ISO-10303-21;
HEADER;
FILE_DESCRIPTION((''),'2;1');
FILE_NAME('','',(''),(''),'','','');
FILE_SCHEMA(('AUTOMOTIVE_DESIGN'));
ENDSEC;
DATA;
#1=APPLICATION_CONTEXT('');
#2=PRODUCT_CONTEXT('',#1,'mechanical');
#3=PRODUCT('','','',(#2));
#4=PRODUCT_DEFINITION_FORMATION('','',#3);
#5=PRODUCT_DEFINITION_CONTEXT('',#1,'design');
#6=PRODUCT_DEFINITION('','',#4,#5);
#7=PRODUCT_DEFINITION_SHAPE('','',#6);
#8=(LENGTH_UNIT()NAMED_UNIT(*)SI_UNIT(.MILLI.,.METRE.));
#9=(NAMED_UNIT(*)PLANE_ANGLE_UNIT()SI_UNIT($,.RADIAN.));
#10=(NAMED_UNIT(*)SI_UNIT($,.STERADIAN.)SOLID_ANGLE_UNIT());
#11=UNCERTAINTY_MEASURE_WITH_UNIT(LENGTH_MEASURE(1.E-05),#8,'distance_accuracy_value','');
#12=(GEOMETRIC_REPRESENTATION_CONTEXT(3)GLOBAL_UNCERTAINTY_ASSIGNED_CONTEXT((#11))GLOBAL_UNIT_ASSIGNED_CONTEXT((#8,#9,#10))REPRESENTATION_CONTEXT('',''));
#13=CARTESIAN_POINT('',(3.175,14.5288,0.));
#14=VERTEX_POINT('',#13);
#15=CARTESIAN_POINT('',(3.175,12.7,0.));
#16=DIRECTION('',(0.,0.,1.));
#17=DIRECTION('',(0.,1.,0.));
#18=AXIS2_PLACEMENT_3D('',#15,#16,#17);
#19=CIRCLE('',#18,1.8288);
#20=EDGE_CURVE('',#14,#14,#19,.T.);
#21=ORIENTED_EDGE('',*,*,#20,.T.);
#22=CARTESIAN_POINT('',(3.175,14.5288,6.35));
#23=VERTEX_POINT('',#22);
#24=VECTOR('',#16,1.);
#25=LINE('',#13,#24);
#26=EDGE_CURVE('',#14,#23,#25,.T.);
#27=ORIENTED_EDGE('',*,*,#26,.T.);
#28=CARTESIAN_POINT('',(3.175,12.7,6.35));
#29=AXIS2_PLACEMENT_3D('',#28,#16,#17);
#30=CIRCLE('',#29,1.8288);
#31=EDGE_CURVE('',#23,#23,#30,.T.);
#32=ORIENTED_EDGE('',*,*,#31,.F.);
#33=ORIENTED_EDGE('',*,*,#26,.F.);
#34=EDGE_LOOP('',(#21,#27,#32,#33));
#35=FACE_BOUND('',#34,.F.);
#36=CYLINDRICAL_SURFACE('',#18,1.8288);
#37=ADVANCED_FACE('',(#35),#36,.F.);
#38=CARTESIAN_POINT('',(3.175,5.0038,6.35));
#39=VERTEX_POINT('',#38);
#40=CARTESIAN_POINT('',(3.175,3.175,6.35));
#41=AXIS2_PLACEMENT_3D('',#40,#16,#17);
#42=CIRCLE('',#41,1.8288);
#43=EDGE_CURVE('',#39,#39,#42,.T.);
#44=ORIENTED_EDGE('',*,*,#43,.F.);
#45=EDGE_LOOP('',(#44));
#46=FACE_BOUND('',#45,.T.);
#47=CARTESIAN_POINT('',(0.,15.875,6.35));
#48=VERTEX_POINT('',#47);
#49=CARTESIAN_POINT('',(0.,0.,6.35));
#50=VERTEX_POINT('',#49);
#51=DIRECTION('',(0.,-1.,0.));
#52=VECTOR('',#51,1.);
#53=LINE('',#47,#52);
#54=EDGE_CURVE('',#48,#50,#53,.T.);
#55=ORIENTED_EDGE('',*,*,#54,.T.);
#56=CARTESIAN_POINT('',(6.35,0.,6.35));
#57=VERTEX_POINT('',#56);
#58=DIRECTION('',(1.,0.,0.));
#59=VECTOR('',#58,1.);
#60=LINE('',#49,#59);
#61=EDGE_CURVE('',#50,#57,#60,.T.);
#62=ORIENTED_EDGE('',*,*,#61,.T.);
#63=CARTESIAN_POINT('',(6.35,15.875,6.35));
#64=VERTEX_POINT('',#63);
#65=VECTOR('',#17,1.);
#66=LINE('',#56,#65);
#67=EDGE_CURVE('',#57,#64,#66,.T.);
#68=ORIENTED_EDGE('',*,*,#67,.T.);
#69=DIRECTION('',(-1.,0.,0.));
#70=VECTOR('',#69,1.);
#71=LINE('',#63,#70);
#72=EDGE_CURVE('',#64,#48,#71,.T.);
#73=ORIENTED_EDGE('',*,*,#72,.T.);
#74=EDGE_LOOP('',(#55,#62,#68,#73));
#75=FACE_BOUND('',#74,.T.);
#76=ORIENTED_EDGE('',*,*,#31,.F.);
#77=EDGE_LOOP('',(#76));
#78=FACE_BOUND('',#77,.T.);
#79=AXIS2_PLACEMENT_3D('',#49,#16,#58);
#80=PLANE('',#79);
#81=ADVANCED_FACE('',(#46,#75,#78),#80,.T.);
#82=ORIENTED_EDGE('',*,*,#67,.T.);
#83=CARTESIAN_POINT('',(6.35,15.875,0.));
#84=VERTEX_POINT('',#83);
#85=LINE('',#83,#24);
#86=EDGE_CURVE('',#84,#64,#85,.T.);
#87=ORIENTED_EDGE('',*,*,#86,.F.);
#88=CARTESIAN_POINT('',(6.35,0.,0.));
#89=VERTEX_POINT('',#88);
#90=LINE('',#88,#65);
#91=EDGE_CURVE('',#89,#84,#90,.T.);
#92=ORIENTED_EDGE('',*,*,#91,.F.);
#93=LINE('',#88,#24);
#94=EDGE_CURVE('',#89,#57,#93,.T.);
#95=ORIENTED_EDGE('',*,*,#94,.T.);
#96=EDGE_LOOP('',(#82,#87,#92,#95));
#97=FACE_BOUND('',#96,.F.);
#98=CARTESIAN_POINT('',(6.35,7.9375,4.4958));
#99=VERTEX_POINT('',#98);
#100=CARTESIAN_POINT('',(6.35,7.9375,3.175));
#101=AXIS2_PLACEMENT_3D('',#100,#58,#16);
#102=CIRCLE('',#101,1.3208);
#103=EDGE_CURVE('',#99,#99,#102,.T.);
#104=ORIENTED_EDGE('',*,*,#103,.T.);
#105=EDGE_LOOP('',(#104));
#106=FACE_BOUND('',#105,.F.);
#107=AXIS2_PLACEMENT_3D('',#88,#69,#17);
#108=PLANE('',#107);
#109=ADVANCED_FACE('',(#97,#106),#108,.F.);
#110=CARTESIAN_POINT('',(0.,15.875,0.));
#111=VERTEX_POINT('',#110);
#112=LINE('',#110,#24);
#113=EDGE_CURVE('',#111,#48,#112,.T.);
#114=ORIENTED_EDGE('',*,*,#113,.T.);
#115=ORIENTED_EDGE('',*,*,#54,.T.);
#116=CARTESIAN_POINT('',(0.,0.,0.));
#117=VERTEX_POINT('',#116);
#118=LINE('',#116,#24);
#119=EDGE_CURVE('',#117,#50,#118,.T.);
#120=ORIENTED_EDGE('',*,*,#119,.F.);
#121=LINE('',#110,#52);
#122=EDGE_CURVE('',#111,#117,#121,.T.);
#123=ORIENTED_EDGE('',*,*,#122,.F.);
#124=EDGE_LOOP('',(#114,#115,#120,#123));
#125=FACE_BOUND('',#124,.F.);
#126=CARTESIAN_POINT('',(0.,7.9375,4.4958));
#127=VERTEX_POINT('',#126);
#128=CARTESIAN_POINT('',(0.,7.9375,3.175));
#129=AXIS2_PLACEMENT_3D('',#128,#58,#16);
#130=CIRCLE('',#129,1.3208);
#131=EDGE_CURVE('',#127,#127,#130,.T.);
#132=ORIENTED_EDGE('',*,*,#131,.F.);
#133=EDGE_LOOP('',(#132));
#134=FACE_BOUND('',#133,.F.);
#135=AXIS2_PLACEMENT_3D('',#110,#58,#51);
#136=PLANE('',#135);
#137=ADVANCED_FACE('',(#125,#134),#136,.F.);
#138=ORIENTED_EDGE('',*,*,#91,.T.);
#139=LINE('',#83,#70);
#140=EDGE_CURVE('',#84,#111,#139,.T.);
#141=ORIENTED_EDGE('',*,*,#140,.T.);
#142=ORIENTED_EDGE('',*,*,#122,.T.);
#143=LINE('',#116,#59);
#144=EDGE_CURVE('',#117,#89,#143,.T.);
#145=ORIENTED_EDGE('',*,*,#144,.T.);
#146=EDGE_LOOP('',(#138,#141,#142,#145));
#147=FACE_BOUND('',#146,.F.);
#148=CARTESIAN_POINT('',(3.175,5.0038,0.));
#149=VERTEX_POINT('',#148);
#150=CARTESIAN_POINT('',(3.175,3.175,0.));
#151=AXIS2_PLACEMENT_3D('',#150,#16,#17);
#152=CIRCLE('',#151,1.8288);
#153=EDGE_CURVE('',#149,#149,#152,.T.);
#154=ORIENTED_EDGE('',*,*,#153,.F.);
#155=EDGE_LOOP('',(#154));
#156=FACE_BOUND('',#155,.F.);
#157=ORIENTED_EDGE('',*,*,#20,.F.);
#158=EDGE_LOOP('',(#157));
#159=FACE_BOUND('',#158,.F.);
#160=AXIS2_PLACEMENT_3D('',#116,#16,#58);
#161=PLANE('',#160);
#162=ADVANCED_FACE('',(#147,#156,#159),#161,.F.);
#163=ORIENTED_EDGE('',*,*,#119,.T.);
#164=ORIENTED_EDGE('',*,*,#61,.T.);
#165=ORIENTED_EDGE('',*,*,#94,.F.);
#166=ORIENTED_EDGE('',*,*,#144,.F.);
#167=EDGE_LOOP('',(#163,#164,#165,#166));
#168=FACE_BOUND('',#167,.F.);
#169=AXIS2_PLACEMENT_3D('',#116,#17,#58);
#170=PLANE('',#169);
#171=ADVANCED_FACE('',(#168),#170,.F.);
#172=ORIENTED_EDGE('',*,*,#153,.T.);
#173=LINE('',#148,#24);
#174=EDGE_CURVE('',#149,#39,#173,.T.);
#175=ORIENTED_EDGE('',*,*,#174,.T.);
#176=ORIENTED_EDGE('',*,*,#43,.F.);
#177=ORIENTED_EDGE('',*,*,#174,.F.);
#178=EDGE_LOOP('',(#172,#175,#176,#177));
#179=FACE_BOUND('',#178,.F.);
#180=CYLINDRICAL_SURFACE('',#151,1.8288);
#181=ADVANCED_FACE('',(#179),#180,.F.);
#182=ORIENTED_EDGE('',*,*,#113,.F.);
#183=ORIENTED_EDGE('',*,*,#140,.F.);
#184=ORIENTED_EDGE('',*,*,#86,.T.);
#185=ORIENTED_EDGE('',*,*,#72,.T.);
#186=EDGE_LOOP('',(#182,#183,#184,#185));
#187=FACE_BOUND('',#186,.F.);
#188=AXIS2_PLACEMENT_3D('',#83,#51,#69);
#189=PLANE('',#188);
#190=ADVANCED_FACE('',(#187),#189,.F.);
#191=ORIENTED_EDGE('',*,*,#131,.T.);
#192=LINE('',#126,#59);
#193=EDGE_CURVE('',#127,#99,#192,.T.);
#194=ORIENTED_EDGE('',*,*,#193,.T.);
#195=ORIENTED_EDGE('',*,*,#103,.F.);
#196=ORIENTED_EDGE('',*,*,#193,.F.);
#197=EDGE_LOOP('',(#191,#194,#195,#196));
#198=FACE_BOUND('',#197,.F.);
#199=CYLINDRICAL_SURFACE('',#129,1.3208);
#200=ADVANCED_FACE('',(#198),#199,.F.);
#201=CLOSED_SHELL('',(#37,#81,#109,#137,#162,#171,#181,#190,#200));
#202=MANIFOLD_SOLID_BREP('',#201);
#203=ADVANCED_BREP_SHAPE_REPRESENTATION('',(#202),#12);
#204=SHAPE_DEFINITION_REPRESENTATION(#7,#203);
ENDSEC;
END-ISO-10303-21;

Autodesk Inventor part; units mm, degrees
ref_plane "YZ Plane" through (0, 0, 0) normal (1, 0, 0) x (0, 1, 0)
ref_plane "XZ Plane" through (0, 0, 0) normal (0, 1, 0) x (-1, 0, 0)
ref_plane "XY Plane" through (0, 0, 0) normal (0, 0, 1) x (1, 0, 0)
sketch "Sketch1" plane through (0, 0, 0) normal (0, 0, 1) x (1, 0, 0)
  line L0 (0, 0) -> (6.35, 0)
  line L1 (6.35, 0) -> (6.35, 15.875)
  line L2 (6.35, 15.875) -> (0, 15.875)
  line L3 (0, 15.875) -> (0, 0)
  line L4 (3.175, 15.875) -> (3.175, 0) construction
  point P0 (3.175, 12.7)
  point P1 (3.175, 3.175)
  dimension "d0" = 6.35
  dimension "d1" = 15.875
  dimension "d2" = 3.175
  dimension "d3" = 3.175
extrude "Extrusion1" add sketch "Sketch1" along normal blind 6.35
hole "Hole1" at (3.175, 12.7, 0) at (3.175, 3.175, 0) direction (0, 0, 1) diameter 3.6576 end through all clearance for "Flat Head Machine Screw (82)" size "#6" standard "Ansi Unified Screw Threads"
sketch "Sketch2" plane through (0, 0, 0) normal (-1, 0, 0) x (0, 0, 1)
  line L0 (6.35, 15.875) -> (6.35, 0) projected
  line L1 (0, 15.875) -> (6.35, 15.875) projected
  point P0 (3.175, 7.9375)
  dimension "d13" = 3.175
  dimension "d14" = 7.9375
hole "Hole2" at (0, 7.9375, 3.175) direction (1, 0, 0) diameter 2.6416 end through all thread size "6-32 UNC" class "2B" standard "ANSI Unified Screw Threads"
equation "\"d3\" = d2"
properties part number "Cim Adjustment Block"
